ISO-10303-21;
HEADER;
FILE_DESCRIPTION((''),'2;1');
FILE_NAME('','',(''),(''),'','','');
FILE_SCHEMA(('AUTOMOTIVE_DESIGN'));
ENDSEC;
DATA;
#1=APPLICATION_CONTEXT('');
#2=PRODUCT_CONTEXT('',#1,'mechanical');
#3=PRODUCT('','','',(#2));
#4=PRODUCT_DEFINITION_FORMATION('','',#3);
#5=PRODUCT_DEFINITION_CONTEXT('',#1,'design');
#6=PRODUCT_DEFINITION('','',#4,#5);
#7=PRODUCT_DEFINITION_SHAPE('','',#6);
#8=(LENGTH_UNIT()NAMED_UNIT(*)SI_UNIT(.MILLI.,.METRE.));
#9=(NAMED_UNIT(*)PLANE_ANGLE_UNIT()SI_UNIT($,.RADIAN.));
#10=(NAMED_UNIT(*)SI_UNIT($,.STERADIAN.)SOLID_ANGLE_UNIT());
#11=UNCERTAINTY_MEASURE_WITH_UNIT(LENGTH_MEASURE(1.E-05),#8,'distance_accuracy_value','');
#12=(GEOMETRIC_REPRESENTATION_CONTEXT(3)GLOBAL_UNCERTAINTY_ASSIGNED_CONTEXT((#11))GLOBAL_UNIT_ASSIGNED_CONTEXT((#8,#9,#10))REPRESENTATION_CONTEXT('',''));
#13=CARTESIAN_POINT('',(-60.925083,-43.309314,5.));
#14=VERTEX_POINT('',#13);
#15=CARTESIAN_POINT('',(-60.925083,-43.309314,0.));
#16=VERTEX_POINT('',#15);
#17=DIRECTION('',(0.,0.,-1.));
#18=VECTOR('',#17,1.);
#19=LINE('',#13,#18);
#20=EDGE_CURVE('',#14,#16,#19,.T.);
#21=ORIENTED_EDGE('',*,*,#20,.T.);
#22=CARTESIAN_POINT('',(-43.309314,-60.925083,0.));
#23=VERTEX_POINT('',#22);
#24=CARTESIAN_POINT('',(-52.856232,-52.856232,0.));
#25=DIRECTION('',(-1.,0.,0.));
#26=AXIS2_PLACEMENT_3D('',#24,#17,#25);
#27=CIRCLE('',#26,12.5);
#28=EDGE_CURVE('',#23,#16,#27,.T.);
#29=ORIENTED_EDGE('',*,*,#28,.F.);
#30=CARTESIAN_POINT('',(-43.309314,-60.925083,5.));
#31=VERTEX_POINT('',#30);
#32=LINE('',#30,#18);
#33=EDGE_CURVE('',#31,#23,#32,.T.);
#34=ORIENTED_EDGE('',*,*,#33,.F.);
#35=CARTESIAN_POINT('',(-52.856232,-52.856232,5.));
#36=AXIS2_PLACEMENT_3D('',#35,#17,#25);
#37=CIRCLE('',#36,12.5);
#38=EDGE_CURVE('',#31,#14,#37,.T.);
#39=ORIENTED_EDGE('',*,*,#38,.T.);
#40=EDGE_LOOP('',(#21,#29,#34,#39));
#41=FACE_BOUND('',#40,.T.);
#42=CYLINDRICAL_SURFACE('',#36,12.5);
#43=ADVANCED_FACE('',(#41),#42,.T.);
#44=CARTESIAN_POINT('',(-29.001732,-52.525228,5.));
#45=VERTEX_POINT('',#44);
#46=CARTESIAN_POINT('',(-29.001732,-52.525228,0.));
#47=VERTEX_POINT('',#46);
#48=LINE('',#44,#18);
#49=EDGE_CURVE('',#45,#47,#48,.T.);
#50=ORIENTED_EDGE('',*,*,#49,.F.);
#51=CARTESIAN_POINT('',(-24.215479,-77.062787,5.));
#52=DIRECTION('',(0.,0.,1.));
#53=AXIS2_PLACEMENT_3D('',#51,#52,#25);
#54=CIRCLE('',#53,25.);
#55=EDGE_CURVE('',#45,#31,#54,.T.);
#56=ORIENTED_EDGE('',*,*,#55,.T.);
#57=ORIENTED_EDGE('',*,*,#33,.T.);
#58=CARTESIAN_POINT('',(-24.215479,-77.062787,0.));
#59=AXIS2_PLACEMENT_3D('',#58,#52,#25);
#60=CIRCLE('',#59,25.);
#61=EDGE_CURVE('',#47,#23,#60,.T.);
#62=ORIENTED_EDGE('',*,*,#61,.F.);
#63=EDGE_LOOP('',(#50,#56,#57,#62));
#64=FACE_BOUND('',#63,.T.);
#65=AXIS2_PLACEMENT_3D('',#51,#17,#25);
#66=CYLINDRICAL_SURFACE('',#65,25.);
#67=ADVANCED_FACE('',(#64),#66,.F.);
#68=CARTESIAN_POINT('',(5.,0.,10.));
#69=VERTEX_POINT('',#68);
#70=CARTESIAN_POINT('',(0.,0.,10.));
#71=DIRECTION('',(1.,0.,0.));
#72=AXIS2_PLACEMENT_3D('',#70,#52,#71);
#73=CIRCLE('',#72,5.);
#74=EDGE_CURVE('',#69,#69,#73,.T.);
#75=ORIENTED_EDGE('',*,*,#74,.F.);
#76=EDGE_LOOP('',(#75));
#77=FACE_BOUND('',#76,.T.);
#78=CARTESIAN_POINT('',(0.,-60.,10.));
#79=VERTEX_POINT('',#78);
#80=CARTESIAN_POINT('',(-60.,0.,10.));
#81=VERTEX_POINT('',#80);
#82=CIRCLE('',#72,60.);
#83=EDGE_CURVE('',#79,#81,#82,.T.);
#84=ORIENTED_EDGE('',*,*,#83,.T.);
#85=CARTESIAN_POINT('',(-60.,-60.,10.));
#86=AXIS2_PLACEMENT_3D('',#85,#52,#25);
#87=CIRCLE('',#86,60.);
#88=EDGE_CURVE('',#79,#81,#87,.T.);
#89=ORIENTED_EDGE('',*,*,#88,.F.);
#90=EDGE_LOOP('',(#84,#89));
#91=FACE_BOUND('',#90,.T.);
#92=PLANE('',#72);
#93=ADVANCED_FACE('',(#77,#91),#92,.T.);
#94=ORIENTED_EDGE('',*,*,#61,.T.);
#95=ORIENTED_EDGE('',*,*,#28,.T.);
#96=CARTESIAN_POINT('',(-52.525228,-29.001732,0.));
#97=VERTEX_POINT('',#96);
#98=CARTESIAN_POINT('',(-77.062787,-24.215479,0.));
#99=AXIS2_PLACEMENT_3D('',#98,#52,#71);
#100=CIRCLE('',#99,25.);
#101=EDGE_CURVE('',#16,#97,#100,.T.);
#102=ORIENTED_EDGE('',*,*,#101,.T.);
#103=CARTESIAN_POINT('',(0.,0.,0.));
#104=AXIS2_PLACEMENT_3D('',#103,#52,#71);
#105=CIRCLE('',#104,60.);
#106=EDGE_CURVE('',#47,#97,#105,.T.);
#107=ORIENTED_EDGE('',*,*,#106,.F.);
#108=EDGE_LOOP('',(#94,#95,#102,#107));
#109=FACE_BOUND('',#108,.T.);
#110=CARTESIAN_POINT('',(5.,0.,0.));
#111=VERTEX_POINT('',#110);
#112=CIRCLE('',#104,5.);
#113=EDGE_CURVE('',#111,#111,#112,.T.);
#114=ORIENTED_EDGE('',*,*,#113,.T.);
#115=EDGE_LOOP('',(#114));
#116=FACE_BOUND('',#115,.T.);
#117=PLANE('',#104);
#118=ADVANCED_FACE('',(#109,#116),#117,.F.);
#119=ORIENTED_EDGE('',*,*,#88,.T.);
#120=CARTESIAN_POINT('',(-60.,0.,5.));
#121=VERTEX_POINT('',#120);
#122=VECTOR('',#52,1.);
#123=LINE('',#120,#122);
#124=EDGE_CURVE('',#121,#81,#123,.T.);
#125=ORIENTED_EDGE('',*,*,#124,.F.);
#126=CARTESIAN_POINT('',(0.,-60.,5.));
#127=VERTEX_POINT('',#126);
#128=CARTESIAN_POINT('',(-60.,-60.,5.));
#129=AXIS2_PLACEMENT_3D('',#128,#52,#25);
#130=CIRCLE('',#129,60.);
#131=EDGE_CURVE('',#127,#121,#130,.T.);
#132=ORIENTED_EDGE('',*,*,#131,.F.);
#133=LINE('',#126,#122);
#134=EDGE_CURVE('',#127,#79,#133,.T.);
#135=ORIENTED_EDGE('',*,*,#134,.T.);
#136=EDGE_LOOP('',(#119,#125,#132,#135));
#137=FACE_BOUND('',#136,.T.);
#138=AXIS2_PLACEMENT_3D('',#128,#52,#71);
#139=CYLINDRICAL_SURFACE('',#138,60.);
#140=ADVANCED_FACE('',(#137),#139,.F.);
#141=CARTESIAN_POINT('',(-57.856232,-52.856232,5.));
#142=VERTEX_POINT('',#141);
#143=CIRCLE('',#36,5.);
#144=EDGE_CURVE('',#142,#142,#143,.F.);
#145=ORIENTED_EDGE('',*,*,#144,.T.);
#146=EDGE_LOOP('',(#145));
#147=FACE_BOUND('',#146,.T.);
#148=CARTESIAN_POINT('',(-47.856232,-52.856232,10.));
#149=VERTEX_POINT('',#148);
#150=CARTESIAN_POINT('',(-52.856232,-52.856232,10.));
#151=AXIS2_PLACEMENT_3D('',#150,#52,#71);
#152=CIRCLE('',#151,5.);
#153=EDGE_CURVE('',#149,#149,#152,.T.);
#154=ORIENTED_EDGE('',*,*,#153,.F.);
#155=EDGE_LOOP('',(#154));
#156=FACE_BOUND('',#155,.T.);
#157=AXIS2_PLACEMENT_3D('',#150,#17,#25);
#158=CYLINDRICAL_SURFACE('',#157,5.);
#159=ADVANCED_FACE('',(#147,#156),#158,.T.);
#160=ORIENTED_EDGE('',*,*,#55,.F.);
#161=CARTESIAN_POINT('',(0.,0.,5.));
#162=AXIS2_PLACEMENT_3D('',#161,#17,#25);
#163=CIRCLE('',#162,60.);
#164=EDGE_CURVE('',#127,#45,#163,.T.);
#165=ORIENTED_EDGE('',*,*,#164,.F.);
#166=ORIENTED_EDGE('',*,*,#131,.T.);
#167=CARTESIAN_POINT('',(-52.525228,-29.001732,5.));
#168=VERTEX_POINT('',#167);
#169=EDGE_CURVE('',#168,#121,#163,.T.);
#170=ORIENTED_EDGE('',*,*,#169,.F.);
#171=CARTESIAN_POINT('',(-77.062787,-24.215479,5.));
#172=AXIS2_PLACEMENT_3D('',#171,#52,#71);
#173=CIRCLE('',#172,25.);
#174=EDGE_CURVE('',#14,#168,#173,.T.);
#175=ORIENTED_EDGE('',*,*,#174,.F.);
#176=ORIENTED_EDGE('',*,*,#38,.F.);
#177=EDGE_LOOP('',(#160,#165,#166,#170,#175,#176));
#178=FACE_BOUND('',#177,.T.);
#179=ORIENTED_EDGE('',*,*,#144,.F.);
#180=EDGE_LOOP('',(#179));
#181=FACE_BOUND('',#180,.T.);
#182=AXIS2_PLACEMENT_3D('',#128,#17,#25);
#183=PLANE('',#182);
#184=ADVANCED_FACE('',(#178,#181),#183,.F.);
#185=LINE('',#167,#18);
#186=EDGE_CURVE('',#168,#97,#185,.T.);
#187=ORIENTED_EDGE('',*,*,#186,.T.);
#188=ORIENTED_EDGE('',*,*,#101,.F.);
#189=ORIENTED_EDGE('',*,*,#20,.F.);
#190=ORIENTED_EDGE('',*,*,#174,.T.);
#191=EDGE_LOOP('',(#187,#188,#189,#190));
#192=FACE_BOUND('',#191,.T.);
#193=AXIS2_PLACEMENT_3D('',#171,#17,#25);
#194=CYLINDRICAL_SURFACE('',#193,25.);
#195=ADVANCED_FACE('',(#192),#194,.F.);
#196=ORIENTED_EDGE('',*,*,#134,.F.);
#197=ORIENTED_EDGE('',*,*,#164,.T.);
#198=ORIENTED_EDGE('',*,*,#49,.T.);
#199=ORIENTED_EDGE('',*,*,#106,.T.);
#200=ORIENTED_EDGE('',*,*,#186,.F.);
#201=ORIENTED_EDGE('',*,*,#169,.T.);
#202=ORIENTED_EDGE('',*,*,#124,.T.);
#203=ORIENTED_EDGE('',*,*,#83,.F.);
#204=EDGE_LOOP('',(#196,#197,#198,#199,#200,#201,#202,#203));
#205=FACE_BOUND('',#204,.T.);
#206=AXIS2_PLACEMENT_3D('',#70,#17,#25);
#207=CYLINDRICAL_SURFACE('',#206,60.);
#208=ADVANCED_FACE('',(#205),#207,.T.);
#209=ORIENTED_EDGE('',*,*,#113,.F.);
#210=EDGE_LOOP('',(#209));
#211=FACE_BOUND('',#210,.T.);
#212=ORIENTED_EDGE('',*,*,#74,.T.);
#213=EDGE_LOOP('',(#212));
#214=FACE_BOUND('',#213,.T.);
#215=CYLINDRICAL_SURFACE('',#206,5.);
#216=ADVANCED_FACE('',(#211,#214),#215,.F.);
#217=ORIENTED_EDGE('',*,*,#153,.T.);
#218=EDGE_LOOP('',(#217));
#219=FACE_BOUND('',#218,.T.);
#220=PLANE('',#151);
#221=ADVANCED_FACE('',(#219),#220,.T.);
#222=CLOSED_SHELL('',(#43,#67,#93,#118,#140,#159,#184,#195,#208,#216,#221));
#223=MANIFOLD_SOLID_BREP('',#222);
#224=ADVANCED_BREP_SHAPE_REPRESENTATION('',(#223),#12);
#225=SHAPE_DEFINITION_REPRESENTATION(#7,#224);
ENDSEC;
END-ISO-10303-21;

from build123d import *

# Parameters (mm, degrees)
SKICA1_R                 = 60
SKICA1_R_2               = 5
P_IDAT_VYSUNUT_M1_DEPTH  = 10
ODEBRAT_VYSUNUT_M1_DEPTH = 5
P_IDAT_VYSUNUT_M2_DEPTH  = 5
SKICA5_R                 = 5
P_IDAT_VYSUNUT_M3_DEPTH  = 5


with BuildPart() as part:
    # Skica1 → Přidat vysunutím1 (new body)
    with BuildSketch(Plane.XY):
        Circle(SKICA1_R)
        Circle(SKICA1_R_2, mode=Mode.SUBTRACT)
    extrude(amount=P_IDAT_VYSUNUT_M1_DEPTH)

    # Skica2 → Odebrat vysunutím1 (cut)
    with BuildSketch(Plane.XY.offset(10)):
        with BuildLine():
            Line((-60, 0), (-60, -60))
            Line((-60, -60), (0, -60))
            ThreePointArc((0, -60), (-17.573593129, -17.573593129), (-60, 0))
        make_face()
    extrude(amount=-ODEBRAT_VYSUNUT_M1_DEPTH, mode=Mode.SUBTRACT)

    # Skica4 → Přidat vysunutím2 (add)
    with BuildSketch(Plane(origin=(0, 0, 0), x_dir=(-1, 0, 0), z_dir=(0, 0, -1))):
        with BuildLine():
            ThreePointArc((29.001731724, -52.525227815), (42.426406871, -42.426406871), (52.525227815, -29.001731724))
            ThreePointArc((52.525227815, -29.001731724), (55.503659439, -36.872652673), (60.925083435, -43.309314338))
            ThreePointArc((60.925083435, -43.309314338), (61.695066659, -61.695066659), (43.309314338, -60.925083435))
            ThreePointArc((43.309314338, -60.925083435), (36.872652673, -55.503659439), (29.001731724, -52.525227815))
        make_face()
    extrude(amount=-P_IDAT_VYSUNUT_M2_DEPTH)

    # Skica5 → Přidat vysunutím3 (add)
    with BuildSketch(Plane.XY.offset(5)):
        with Locations(Location((-52.856231894, -52.856231894, 0), (0, 0, 180))):
            Circle(SKICA5_R)
    extrude(amount=P_IDAT_VYSUNUT_M3_DEPTH)


solid = part.part
